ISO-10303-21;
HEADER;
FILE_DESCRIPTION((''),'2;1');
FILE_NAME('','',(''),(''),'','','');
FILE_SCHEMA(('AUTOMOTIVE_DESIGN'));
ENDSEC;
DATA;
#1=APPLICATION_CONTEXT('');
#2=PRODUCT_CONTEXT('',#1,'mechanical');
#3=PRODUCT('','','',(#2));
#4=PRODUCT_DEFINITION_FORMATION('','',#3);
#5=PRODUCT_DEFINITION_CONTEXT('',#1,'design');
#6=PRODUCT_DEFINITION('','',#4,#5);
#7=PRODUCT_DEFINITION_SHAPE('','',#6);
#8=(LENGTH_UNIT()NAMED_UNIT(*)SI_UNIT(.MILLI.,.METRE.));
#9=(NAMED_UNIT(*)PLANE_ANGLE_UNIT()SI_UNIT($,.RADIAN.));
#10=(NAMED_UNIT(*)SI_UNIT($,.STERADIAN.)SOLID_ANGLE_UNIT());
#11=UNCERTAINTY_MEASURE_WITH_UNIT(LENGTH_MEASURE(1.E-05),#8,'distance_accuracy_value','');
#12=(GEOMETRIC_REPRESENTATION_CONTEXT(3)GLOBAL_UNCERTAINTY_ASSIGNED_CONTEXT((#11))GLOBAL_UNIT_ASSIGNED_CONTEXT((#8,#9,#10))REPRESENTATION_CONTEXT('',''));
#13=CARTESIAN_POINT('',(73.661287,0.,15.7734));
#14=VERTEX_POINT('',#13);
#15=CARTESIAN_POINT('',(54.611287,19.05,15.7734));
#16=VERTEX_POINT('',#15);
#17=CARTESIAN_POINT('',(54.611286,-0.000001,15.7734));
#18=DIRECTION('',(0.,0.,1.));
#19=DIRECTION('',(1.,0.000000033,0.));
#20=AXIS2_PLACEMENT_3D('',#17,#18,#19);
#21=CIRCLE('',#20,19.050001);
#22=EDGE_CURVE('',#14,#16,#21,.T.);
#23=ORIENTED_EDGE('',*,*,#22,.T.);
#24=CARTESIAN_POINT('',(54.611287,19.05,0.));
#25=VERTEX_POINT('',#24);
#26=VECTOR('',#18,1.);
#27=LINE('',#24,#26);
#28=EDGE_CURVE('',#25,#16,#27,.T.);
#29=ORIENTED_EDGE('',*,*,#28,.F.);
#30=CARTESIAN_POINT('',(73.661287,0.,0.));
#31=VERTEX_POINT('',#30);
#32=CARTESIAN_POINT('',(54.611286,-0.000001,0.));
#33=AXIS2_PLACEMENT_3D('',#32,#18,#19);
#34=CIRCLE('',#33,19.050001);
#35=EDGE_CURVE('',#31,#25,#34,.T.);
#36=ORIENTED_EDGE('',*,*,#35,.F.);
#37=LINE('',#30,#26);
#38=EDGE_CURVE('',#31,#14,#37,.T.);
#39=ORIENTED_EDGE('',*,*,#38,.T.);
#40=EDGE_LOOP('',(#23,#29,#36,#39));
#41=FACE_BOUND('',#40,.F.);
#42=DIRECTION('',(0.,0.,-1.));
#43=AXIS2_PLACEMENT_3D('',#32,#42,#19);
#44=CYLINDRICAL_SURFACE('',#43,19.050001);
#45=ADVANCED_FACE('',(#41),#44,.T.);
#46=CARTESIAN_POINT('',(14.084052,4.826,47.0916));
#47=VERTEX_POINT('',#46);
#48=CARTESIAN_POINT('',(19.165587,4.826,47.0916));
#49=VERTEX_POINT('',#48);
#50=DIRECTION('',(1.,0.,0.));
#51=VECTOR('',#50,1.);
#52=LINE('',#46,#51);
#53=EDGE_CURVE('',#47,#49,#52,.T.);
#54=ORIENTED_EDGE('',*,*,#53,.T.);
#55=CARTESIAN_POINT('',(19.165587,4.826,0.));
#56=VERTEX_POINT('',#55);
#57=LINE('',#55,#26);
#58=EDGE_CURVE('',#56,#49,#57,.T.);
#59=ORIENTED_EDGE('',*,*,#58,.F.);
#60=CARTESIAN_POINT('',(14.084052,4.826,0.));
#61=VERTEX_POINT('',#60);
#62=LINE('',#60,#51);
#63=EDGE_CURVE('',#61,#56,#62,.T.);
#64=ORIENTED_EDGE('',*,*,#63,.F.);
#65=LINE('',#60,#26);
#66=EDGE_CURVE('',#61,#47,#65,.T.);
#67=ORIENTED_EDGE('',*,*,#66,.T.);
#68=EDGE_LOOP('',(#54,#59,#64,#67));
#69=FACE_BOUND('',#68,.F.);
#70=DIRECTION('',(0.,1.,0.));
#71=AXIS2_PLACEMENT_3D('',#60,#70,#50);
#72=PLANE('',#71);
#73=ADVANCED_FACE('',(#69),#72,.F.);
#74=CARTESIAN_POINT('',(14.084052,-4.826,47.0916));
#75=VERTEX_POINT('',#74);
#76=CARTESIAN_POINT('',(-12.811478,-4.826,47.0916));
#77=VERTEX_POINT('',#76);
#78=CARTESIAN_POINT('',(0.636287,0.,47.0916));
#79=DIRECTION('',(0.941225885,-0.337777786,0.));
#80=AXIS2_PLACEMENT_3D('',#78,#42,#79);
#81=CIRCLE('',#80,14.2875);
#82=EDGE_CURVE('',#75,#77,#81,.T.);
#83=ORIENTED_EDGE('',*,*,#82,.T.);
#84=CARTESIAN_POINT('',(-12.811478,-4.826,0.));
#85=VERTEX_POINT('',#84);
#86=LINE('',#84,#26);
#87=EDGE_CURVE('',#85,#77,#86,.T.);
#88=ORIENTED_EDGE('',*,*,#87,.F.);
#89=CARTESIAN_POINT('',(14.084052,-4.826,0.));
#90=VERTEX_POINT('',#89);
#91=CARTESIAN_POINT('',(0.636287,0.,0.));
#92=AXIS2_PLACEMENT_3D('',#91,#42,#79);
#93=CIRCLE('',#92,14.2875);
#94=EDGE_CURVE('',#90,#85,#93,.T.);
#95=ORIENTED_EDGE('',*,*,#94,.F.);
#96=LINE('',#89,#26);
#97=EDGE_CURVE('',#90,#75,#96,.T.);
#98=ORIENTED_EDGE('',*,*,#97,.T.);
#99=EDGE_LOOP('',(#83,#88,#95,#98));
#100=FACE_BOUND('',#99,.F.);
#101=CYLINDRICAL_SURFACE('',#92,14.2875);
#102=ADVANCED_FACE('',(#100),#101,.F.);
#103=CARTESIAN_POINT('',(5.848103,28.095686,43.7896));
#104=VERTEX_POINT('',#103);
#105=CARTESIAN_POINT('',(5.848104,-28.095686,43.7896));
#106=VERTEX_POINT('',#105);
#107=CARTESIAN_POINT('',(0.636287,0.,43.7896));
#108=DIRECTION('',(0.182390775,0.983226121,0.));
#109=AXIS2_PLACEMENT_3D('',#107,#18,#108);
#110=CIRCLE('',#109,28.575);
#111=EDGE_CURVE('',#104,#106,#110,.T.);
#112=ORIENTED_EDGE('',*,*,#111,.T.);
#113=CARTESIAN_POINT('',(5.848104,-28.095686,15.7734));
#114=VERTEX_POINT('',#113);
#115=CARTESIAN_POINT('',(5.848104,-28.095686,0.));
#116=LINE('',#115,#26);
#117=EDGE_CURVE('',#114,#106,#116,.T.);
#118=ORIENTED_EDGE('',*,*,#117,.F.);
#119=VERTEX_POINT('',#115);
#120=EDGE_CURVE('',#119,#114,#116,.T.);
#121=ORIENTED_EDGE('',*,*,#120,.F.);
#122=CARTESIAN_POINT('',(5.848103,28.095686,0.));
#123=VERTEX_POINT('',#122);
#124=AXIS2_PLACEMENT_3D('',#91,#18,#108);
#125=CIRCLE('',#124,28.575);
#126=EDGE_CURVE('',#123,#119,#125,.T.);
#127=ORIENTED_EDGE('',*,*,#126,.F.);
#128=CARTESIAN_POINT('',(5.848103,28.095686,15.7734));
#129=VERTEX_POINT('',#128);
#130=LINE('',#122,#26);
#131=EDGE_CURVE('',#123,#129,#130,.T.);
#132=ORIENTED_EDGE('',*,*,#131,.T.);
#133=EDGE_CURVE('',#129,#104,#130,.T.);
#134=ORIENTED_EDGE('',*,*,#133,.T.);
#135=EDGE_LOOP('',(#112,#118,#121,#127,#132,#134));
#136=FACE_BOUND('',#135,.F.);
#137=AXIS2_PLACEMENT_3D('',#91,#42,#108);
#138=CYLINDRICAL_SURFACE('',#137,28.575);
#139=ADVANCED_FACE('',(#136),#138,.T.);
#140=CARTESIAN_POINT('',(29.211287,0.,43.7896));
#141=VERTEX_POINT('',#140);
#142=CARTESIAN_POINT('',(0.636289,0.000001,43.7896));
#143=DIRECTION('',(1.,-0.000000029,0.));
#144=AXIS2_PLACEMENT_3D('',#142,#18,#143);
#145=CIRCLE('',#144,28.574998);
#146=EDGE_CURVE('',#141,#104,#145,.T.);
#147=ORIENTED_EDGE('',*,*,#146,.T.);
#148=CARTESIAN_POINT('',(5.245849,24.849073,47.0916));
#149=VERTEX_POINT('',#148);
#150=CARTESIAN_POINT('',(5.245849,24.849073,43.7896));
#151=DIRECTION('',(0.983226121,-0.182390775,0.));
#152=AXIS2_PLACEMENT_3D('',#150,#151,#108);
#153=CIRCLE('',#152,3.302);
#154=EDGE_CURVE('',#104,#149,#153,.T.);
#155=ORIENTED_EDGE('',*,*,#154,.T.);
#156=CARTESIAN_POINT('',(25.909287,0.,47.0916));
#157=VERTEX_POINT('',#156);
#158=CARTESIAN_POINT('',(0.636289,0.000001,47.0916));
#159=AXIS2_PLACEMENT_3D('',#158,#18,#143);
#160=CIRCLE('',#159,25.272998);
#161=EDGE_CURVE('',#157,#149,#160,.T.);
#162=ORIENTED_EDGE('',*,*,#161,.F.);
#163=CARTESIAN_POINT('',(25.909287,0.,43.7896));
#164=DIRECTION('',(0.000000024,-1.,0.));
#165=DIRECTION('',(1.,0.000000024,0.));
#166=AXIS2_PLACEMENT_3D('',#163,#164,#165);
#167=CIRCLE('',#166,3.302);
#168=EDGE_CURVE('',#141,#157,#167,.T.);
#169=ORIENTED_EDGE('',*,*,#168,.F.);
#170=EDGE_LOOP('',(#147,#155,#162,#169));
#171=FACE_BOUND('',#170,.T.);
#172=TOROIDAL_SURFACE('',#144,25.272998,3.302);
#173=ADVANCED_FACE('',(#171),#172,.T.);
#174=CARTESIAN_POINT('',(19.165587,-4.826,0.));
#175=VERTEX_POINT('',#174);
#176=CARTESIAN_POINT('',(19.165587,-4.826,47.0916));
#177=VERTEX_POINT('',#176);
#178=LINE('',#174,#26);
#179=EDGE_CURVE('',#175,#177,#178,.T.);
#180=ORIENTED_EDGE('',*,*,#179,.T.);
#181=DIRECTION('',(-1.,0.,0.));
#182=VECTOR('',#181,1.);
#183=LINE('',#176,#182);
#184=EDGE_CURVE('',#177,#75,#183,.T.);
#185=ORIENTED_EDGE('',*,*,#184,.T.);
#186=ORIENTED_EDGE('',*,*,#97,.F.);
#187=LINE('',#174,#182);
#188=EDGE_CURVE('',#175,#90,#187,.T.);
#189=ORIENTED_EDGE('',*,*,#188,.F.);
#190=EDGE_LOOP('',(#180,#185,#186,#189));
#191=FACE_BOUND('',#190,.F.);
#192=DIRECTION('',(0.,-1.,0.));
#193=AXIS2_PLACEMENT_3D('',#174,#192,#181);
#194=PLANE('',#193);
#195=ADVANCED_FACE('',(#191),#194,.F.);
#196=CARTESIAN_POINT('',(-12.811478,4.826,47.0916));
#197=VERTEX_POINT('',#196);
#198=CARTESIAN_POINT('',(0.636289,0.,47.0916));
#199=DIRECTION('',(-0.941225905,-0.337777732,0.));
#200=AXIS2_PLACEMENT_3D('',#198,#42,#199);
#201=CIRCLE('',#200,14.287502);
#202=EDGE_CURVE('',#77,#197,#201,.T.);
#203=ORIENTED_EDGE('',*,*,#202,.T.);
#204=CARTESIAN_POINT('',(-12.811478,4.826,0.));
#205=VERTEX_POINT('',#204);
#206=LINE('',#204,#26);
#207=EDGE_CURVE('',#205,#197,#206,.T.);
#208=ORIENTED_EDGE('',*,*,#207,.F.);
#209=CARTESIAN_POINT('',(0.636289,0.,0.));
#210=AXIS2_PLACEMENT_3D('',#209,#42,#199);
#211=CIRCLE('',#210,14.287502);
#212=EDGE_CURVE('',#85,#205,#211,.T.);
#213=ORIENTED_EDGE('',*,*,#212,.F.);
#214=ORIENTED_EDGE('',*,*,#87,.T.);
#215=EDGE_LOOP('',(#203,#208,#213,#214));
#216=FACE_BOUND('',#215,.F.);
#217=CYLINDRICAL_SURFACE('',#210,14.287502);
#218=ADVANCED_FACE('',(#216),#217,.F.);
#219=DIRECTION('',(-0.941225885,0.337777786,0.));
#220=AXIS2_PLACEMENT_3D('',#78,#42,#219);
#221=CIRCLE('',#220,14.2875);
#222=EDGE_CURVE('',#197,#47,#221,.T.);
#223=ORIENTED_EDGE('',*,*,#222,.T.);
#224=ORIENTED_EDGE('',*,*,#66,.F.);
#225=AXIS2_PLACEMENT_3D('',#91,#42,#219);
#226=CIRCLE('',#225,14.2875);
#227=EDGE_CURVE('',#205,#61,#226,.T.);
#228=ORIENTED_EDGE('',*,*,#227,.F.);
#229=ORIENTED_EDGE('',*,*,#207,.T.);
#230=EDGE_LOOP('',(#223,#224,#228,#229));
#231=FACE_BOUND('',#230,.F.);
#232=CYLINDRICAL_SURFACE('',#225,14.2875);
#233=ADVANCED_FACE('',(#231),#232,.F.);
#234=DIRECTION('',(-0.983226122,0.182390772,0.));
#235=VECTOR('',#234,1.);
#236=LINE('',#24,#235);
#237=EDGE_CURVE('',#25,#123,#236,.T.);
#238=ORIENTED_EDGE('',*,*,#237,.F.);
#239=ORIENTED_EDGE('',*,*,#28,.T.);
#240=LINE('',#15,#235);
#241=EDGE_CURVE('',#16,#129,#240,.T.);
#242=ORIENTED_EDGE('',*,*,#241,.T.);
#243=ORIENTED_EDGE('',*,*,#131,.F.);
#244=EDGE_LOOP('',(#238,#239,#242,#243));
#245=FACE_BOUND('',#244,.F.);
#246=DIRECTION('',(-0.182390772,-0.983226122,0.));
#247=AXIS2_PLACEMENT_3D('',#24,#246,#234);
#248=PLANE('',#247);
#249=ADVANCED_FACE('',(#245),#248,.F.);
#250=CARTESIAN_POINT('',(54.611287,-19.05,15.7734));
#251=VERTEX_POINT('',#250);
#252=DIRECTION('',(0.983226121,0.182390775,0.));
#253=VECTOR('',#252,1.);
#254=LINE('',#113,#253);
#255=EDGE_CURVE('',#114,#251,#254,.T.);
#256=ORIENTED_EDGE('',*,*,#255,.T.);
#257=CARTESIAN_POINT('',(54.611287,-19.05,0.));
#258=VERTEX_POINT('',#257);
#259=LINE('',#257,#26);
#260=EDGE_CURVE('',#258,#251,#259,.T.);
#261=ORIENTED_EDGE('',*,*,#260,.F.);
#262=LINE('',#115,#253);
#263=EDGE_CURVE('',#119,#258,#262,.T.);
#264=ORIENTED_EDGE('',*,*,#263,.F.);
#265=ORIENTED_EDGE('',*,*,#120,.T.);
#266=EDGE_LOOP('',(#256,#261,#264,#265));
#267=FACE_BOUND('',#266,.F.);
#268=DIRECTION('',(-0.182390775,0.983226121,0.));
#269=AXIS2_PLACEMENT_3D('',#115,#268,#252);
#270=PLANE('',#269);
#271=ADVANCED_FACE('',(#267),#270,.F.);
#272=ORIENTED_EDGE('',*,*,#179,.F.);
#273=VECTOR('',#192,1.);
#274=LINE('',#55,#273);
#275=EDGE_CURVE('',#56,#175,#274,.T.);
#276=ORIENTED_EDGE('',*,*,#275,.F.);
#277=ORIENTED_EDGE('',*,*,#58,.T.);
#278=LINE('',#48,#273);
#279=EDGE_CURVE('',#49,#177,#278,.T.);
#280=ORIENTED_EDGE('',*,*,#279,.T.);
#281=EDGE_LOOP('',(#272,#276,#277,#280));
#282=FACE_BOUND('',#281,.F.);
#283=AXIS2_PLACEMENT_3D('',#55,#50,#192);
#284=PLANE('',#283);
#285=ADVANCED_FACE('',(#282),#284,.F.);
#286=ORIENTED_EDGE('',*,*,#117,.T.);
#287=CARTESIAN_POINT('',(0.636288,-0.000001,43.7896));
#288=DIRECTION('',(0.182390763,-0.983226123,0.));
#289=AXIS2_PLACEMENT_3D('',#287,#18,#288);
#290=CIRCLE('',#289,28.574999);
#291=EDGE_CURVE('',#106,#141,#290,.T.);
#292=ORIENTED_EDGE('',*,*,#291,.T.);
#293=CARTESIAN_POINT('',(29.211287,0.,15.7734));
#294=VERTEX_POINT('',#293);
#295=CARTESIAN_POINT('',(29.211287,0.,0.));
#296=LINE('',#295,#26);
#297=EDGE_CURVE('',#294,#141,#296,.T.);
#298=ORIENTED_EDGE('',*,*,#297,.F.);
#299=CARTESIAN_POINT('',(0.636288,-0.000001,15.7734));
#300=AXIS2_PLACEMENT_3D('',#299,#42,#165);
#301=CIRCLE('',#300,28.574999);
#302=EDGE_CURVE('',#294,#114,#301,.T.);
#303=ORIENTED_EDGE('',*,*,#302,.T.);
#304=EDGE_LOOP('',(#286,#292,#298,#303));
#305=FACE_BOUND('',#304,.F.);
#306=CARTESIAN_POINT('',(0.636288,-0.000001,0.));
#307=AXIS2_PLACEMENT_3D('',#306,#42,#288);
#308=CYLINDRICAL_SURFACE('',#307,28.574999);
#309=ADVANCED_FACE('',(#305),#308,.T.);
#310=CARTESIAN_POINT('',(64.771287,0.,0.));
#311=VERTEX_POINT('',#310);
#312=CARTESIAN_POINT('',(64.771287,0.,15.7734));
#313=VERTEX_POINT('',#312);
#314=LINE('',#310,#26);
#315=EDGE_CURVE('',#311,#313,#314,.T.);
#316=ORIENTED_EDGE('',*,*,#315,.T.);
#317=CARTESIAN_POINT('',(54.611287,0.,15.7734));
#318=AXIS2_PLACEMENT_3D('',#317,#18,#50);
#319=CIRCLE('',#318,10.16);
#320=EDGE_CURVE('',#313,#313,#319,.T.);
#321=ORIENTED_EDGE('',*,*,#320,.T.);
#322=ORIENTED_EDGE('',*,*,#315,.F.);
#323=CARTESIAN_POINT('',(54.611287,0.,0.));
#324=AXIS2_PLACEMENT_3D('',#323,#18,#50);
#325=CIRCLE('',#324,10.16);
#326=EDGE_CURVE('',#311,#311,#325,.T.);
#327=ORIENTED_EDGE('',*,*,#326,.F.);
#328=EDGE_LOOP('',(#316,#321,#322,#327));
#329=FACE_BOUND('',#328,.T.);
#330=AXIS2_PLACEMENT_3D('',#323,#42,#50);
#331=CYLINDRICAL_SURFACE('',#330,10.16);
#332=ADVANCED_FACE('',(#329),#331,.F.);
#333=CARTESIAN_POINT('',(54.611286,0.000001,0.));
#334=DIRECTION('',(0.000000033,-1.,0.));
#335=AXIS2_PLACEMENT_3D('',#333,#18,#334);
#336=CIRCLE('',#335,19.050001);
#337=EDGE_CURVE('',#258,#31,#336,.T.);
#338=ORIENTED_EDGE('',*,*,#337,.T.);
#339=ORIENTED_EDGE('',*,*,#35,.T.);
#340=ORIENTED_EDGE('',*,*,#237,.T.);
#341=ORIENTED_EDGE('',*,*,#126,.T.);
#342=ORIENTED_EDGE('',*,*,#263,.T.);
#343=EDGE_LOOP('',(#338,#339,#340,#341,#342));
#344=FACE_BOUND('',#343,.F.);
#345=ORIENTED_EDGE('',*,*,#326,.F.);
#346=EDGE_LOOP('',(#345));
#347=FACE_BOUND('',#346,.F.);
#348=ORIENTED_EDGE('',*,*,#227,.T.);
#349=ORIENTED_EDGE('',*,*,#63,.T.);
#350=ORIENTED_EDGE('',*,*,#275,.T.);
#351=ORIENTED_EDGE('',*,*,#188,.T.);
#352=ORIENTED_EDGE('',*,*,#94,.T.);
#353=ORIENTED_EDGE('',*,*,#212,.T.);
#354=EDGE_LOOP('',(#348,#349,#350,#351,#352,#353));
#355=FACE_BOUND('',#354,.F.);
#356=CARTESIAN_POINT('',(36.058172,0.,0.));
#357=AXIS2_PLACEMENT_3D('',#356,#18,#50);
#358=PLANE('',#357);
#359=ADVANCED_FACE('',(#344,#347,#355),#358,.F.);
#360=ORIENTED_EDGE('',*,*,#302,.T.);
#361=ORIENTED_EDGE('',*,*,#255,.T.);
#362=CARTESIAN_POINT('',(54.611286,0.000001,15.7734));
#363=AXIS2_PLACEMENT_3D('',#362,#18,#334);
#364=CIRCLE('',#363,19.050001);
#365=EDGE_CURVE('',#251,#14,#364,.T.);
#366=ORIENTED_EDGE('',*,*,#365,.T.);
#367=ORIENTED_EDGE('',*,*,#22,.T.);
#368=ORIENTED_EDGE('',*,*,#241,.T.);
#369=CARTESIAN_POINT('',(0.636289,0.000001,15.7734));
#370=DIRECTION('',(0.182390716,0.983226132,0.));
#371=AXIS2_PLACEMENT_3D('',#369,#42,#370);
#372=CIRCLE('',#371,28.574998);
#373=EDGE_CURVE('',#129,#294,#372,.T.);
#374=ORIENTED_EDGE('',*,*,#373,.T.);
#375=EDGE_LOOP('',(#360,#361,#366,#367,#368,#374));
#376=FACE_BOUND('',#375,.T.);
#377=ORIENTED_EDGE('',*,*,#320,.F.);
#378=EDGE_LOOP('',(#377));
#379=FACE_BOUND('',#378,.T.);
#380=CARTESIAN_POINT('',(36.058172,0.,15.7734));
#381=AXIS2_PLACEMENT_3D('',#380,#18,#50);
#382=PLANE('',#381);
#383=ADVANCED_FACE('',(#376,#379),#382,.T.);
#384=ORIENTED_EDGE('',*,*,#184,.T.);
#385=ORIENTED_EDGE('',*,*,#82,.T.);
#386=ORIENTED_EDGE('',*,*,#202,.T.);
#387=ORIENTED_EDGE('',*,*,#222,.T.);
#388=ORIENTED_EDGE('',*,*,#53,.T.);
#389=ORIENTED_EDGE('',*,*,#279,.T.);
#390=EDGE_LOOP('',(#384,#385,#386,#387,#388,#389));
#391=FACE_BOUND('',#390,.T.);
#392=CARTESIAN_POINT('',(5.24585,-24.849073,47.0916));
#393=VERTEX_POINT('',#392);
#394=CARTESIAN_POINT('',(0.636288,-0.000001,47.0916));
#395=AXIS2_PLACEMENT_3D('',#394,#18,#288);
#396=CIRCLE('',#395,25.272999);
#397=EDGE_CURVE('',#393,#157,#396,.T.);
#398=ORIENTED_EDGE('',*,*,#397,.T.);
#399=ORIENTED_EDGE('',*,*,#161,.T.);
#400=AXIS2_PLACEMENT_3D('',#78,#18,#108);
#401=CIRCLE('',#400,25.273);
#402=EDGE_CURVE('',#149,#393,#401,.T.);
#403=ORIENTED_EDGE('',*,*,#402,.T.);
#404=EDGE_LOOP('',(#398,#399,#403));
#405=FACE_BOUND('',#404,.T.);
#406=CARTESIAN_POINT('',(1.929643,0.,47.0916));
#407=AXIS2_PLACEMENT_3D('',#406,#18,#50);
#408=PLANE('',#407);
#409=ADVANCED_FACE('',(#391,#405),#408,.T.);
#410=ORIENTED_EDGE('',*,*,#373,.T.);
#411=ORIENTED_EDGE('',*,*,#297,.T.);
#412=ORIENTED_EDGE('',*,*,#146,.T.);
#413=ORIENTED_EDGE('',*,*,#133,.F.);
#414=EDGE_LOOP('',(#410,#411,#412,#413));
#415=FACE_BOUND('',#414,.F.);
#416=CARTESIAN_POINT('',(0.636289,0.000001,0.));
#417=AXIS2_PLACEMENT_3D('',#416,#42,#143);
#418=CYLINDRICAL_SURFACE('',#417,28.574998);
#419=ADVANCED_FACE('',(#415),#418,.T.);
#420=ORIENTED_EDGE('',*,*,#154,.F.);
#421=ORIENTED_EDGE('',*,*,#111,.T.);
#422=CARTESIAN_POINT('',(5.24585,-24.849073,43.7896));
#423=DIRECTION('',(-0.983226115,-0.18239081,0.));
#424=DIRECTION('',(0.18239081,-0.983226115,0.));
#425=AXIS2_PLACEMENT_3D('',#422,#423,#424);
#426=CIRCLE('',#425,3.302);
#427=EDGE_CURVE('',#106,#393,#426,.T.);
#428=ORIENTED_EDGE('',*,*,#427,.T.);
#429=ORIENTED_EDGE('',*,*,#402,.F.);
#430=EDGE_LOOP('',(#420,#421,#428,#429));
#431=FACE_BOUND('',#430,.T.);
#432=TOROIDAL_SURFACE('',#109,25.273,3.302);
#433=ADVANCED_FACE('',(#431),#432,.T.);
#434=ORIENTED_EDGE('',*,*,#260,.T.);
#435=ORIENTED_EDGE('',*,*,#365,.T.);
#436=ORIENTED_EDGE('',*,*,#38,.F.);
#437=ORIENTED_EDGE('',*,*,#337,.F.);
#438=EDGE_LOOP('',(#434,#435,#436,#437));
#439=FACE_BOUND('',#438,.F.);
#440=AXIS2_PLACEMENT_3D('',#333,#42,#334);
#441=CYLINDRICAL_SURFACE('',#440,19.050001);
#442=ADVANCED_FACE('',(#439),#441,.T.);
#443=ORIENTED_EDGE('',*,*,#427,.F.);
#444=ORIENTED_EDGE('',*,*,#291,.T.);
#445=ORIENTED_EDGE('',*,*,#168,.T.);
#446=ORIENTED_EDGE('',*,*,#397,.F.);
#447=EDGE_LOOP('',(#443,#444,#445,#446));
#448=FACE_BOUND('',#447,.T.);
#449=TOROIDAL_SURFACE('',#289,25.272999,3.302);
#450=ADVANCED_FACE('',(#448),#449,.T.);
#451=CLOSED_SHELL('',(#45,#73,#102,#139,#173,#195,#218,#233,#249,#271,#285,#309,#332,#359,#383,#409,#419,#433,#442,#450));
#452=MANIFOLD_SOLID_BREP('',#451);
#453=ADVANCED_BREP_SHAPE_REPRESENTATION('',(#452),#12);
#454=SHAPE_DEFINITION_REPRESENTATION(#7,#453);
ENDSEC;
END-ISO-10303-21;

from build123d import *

# Parameters (mm, degrees)
F1_DEPTH = 47.0916
F0_R     = 10.16
F2_DEPTH = 15.7734
F3_R     = 3.302


with BuildPart() as f1:
    # F0 (on Top) → F1 (new body)
    with BuildSketch(Plane.XY):
        with BuildLine():
            ThreePointArc((5.848104, -28.095686), (22.607385, -18.270235), (29.211287, 0))
            ThreePointArc((29.211287, 0), (22.607385, 18.270235), (5.848103, 28.095686))
            ThreePointArc((5.848103, 28.095686), (-27.938713, 0), (5.848104, -28.095686))
        make_face()
        with BuildLine():
            ThreePointArc((-12.811478, 4.826), (0.636287, 14.2875), (14.084052, 4.826))
            Line((14.084052, 4.826), (19.165587, 4.826))
            Line((19.165587, 4.826), (19.165587, -4.826))
            Line((19.165587, -4.826), (14.084052, -4.826))
            ThreePointArc((14.084052, -4.826), (0.636287, -14.2875), (-12.811478, -4.826))
            Line((-12.811478, -4.826), (-19.165587, -4.826))
            Line((-19.165587, -4.826), (-19.165587, 4.826))
            Line((-19.165587, 4.826), (-12.811478, 4.826))
        make_face(mode=Mode.SUBTRACT)
        with BuildLine():
            ThreePointArc((-12.811478, -4.826), (-13.651213, 0), (-12.811478, 4.826))
            Line((-12.811478, 4.826), (-19.165587, 4.826))
            Line((-19.165587, 4.826), (-19.165587, -4.826))
            Line((-19.165587, -4.826), (-12.811478, -4.826))
        make_face()
    extrude(amount=F1_DEPTH)

    # F0 (on Top) → F2 (join)
    with BuildSketch(Plane.XY):
        with BuildLine():
            ThreePointArc((5.848103, 28.095686), (22.607385, 18.270235), (29.211287, 0))
            ThreePointArc((29.211287, 0), (22.607385, -18.270235), (5.848104, -28.095686))
            Line((5.848104, -28.095686), (54.611287, -19.05))
            ThreePointArc((54.611287, -19.05), (68.081671, -13.470384), (73.661287, 0))
            ThreePointArc((73.661287, 0), (68.081671, 13.470384), (54.611287, 19.05))
            Line((54.611287, 19.05), (5.848103, 28.095686))
        make_face()
        with Locations((54.611287, 0)):
            Circle(F0_R, mode=Mode.SUBTRACT)
    extrude(amount=F2_DEPTH)

    # F3
    f3_edges = [f1.edges().sort_by_distance(p)[0] for p in [
        (-4.57553, 28.095686, 47.0916),
    ]]
    fillet(f3_edges, radius=F3_R)


solid = f1.part
